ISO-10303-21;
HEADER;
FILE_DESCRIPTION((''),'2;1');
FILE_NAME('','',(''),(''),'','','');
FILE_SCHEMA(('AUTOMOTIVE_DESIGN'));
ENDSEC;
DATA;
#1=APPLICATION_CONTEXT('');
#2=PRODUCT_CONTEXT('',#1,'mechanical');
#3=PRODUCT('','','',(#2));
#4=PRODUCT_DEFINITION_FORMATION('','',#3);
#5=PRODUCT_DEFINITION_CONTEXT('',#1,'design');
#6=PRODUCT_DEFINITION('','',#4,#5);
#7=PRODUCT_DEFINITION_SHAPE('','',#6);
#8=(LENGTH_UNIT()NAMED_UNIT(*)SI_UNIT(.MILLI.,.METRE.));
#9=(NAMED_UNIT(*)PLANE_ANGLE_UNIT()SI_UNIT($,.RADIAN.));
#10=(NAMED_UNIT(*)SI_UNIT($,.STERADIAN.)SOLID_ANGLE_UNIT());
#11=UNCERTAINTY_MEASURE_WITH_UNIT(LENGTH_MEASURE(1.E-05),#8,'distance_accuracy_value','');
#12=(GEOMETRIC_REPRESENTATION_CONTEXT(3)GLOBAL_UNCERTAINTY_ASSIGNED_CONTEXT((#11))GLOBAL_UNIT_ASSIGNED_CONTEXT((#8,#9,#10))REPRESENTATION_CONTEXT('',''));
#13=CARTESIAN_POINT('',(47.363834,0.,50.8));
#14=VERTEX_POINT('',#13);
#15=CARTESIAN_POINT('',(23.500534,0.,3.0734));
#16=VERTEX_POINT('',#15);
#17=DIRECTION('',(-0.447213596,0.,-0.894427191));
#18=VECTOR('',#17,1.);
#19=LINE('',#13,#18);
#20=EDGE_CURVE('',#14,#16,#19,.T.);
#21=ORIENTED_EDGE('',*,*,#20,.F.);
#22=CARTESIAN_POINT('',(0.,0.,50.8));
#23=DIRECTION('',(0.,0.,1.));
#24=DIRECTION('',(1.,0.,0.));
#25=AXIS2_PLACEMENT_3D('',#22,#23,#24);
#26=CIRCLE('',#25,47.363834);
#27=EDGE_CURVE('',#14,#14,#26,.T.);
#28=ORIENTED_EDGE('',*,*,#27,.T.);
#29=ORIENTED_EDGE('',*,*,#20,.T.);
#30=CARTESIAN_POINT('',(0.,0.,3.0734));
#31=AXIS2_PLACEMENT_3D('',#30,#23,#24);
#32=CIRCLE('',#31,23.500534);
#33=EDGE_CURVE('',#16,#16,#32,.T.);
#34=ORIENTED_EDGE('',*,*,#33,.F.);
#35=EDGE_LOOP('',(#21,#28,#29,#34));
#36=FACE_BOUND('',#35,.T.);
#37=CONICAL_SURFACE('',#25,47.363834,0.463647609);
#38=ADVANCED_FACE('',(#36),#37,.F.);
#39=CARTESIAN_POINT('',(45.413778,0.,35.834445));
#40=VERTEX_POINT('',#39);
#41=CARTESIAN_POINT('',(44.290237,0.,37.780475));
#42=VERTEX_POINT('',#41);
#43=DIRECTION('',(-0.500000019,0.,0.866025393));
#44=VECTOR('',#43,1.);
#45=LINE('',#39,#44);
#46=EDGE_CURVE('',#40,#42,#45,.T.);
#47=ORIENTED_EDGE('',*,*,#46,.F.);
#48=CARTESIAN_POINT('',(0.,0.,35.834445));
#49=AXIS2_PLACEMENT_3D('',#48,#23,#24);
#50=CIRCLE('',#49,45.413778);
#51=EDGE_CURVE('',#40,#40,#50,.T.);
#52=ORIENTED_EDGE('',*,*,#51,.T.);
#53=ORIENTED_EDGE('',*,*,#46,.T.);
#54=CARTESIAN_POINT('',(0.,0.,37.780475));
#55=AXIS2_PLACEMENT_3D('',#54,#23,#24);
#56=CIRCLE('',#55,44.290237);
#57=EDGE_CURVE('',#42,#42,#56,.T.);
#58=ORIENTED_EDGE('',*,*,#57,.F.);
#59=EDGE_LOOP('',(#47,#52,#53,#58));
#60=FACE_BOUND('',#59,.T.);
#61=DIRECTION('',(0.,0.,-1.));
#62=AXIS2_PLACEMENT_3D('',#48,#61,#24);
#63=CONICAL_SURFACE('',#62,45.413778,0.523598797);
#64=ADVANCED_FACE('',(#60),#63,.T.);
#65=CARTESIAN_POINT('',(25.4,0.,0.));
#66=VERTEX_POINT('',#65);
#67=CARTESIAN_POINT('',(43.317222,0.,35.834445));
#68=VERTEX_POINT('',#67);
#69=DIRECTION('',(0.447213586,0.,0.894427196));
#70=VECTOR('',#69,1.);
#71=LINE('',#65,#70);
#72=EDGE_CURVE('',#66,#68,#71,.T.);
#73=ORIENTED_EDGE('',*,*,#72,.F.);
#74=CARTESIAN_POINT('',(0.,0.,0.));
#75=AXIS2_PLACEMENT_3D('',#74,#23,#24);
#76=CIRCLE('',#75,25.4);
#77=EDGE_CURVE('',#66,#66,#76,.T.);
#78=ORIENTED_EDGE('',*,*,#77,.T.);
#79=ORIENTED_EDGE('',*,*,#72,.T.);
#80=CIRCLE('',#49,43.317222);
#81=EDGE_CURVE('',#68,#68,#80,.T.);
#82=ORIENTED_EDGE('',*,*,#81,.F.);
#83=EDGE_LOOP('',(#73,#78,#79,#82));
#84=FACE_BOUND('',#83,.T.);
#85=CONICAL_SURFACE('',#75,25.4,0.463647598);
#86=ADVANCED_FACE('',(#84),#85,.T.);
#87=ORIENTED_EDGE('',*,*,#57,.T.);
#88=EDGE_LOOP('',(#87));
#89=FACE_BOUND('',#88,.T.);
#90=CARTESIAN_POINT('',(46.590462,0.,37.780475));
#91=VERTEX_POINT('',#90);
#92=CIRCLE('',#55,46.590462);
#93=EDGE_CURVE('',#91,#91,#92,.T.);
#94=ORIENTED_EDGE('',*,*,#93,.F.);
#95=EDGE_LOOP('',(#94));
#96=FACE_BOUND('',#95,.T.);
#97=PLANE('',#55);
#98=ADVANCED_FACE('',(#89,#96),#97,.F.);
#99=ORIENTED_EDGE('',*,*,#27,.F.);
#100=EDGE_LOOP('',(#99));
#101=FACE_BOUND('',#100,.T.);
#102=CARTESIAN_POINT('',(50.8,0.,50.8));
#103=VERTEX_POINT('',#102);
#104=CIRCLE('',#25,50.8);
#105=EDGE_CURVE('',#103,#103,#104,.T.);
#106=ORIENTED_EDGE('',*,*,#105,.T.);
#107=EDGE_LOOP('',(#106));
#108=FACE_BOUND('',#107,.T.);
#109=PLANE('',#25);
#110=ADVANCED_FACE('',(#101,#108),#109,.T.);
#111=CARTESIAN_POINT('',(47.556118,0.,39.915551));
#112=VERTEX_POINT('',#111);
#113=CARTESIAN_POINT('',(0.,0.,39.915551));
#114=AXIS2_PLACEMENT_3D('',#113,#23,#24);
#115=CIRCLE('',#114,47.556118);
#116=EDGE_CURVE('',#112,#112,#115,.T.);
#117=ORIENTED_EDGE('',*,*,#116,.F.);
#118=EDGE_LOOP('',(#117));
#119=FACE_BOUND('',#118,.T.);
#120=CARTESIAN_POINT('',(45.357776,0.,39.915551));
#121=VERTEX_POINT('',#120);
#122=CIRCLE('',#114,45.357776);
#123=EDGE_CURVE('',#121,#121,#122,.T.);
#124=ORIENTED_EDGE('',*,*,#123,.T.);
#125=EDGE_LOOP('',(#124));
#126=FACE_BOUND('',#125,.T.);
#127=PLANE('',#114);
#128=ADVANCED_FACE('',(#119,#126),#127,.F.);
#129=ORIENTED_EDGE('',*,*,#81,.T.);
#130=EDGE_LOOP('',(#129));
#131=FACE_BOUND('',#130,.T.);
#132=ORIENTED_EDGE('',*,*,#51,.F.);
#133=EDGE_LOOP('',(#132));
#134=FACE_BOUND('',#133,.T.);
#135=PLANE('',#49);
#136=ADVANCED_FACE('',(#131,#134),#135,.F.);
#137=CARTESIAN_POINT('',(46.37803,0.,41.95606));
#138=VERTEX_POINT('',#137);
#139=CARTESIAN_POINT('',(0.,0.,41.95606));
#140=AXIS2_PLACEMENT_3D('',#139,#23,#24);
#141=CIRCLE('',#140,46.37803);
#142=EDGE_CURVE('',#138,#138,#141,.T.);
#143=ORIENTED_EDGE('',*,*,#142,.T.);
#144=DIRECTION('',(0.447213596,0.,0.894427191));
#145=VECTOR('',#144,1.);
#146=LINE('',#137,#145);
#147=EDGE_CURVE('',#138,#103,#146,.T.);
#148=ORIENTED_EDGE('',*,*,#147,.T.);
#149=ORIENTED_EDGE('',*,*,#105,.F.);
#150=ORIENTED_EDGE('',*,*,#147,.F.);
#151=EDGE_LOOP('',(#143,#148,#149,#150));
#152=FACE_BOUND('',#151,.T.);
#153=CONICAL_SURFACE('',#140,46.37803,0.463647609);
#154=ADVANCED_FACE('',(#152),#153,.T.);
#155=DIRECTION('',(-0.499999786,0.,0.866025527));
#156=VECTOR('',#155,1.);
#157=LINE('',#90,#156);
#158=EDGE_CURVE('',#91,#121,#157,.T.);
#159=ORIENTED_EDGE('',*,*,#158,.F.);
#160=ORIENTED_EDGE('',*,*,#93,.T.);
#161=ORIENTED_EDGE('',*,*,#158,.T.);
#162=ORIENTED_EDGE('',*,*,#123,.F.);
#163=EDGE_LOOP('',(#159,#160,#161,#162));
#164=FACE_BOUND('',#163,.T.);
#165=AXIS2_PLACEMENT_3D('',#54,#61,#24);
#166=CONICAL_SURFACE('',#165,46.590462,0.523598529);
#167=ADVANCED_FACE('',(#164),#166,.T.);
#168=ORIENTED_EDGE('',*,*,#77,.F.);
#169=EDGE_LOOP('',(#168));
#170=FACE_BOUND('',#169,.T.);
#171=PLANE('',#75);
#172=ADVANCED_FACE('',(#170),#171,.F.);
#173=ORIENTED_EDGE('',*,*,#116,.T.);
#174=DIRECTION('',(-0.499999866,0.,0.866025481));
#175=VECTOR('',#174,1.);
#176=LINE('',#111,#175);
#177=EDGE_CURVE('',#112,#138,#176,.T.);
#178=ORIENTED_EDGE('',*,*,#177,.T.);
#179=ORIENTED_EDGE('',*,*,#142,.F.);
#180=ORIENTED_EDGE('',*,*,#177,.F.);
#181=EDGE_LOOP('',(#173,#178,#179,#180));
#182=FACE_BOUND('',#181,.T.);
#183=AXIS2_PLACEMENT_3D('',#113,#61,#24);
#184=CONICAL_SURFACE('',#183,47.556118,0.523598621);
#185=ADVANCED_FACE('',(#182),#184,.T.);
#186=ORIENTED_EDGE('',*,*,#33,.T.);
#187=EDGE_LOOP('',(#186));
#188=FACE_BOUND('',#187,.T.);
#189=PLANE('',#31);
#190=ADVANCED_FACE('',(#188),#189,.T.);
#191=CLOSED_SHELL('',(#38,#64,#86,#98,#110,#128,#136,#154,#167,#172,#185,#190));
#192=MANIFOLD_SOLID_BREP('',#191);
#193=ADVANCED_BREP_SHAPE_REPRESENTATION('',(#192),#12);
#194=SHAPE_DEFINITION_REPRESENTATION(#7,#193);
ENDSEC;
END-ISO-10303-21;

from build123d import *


with BuildPart() as f1:
    # F0 (on Front) → F1 (revolve)
    with BuildSketch(Plane.XZ):
        Polygon((0, 3.0734), (0, 0), (25.4, 0), (43.317222, 35.834445), (44.290237, 37.780475), (45.357776, 39.915551), (46.37803, 41.95606), (50.8, 50.8), (47.363834, 50.8), (23.500534, 3.0734), align=None)
        Polygon((46.37803, 41.95606), (45.357776, 39.915551), (47.556118, 39.915551), align=None)
        Polygon((45.357776, 39.915551), (44.290237, 37.780475), (46.590462, 37.780475), align=None)
        Polygon((44.290237, 37.780475), (43.317222, 35.834445), (45.413778, 35.834445), align=None)
    revolve(axis=Axis((0, 0, 25.4), (0, 0, 1)))


solid = f1.part
